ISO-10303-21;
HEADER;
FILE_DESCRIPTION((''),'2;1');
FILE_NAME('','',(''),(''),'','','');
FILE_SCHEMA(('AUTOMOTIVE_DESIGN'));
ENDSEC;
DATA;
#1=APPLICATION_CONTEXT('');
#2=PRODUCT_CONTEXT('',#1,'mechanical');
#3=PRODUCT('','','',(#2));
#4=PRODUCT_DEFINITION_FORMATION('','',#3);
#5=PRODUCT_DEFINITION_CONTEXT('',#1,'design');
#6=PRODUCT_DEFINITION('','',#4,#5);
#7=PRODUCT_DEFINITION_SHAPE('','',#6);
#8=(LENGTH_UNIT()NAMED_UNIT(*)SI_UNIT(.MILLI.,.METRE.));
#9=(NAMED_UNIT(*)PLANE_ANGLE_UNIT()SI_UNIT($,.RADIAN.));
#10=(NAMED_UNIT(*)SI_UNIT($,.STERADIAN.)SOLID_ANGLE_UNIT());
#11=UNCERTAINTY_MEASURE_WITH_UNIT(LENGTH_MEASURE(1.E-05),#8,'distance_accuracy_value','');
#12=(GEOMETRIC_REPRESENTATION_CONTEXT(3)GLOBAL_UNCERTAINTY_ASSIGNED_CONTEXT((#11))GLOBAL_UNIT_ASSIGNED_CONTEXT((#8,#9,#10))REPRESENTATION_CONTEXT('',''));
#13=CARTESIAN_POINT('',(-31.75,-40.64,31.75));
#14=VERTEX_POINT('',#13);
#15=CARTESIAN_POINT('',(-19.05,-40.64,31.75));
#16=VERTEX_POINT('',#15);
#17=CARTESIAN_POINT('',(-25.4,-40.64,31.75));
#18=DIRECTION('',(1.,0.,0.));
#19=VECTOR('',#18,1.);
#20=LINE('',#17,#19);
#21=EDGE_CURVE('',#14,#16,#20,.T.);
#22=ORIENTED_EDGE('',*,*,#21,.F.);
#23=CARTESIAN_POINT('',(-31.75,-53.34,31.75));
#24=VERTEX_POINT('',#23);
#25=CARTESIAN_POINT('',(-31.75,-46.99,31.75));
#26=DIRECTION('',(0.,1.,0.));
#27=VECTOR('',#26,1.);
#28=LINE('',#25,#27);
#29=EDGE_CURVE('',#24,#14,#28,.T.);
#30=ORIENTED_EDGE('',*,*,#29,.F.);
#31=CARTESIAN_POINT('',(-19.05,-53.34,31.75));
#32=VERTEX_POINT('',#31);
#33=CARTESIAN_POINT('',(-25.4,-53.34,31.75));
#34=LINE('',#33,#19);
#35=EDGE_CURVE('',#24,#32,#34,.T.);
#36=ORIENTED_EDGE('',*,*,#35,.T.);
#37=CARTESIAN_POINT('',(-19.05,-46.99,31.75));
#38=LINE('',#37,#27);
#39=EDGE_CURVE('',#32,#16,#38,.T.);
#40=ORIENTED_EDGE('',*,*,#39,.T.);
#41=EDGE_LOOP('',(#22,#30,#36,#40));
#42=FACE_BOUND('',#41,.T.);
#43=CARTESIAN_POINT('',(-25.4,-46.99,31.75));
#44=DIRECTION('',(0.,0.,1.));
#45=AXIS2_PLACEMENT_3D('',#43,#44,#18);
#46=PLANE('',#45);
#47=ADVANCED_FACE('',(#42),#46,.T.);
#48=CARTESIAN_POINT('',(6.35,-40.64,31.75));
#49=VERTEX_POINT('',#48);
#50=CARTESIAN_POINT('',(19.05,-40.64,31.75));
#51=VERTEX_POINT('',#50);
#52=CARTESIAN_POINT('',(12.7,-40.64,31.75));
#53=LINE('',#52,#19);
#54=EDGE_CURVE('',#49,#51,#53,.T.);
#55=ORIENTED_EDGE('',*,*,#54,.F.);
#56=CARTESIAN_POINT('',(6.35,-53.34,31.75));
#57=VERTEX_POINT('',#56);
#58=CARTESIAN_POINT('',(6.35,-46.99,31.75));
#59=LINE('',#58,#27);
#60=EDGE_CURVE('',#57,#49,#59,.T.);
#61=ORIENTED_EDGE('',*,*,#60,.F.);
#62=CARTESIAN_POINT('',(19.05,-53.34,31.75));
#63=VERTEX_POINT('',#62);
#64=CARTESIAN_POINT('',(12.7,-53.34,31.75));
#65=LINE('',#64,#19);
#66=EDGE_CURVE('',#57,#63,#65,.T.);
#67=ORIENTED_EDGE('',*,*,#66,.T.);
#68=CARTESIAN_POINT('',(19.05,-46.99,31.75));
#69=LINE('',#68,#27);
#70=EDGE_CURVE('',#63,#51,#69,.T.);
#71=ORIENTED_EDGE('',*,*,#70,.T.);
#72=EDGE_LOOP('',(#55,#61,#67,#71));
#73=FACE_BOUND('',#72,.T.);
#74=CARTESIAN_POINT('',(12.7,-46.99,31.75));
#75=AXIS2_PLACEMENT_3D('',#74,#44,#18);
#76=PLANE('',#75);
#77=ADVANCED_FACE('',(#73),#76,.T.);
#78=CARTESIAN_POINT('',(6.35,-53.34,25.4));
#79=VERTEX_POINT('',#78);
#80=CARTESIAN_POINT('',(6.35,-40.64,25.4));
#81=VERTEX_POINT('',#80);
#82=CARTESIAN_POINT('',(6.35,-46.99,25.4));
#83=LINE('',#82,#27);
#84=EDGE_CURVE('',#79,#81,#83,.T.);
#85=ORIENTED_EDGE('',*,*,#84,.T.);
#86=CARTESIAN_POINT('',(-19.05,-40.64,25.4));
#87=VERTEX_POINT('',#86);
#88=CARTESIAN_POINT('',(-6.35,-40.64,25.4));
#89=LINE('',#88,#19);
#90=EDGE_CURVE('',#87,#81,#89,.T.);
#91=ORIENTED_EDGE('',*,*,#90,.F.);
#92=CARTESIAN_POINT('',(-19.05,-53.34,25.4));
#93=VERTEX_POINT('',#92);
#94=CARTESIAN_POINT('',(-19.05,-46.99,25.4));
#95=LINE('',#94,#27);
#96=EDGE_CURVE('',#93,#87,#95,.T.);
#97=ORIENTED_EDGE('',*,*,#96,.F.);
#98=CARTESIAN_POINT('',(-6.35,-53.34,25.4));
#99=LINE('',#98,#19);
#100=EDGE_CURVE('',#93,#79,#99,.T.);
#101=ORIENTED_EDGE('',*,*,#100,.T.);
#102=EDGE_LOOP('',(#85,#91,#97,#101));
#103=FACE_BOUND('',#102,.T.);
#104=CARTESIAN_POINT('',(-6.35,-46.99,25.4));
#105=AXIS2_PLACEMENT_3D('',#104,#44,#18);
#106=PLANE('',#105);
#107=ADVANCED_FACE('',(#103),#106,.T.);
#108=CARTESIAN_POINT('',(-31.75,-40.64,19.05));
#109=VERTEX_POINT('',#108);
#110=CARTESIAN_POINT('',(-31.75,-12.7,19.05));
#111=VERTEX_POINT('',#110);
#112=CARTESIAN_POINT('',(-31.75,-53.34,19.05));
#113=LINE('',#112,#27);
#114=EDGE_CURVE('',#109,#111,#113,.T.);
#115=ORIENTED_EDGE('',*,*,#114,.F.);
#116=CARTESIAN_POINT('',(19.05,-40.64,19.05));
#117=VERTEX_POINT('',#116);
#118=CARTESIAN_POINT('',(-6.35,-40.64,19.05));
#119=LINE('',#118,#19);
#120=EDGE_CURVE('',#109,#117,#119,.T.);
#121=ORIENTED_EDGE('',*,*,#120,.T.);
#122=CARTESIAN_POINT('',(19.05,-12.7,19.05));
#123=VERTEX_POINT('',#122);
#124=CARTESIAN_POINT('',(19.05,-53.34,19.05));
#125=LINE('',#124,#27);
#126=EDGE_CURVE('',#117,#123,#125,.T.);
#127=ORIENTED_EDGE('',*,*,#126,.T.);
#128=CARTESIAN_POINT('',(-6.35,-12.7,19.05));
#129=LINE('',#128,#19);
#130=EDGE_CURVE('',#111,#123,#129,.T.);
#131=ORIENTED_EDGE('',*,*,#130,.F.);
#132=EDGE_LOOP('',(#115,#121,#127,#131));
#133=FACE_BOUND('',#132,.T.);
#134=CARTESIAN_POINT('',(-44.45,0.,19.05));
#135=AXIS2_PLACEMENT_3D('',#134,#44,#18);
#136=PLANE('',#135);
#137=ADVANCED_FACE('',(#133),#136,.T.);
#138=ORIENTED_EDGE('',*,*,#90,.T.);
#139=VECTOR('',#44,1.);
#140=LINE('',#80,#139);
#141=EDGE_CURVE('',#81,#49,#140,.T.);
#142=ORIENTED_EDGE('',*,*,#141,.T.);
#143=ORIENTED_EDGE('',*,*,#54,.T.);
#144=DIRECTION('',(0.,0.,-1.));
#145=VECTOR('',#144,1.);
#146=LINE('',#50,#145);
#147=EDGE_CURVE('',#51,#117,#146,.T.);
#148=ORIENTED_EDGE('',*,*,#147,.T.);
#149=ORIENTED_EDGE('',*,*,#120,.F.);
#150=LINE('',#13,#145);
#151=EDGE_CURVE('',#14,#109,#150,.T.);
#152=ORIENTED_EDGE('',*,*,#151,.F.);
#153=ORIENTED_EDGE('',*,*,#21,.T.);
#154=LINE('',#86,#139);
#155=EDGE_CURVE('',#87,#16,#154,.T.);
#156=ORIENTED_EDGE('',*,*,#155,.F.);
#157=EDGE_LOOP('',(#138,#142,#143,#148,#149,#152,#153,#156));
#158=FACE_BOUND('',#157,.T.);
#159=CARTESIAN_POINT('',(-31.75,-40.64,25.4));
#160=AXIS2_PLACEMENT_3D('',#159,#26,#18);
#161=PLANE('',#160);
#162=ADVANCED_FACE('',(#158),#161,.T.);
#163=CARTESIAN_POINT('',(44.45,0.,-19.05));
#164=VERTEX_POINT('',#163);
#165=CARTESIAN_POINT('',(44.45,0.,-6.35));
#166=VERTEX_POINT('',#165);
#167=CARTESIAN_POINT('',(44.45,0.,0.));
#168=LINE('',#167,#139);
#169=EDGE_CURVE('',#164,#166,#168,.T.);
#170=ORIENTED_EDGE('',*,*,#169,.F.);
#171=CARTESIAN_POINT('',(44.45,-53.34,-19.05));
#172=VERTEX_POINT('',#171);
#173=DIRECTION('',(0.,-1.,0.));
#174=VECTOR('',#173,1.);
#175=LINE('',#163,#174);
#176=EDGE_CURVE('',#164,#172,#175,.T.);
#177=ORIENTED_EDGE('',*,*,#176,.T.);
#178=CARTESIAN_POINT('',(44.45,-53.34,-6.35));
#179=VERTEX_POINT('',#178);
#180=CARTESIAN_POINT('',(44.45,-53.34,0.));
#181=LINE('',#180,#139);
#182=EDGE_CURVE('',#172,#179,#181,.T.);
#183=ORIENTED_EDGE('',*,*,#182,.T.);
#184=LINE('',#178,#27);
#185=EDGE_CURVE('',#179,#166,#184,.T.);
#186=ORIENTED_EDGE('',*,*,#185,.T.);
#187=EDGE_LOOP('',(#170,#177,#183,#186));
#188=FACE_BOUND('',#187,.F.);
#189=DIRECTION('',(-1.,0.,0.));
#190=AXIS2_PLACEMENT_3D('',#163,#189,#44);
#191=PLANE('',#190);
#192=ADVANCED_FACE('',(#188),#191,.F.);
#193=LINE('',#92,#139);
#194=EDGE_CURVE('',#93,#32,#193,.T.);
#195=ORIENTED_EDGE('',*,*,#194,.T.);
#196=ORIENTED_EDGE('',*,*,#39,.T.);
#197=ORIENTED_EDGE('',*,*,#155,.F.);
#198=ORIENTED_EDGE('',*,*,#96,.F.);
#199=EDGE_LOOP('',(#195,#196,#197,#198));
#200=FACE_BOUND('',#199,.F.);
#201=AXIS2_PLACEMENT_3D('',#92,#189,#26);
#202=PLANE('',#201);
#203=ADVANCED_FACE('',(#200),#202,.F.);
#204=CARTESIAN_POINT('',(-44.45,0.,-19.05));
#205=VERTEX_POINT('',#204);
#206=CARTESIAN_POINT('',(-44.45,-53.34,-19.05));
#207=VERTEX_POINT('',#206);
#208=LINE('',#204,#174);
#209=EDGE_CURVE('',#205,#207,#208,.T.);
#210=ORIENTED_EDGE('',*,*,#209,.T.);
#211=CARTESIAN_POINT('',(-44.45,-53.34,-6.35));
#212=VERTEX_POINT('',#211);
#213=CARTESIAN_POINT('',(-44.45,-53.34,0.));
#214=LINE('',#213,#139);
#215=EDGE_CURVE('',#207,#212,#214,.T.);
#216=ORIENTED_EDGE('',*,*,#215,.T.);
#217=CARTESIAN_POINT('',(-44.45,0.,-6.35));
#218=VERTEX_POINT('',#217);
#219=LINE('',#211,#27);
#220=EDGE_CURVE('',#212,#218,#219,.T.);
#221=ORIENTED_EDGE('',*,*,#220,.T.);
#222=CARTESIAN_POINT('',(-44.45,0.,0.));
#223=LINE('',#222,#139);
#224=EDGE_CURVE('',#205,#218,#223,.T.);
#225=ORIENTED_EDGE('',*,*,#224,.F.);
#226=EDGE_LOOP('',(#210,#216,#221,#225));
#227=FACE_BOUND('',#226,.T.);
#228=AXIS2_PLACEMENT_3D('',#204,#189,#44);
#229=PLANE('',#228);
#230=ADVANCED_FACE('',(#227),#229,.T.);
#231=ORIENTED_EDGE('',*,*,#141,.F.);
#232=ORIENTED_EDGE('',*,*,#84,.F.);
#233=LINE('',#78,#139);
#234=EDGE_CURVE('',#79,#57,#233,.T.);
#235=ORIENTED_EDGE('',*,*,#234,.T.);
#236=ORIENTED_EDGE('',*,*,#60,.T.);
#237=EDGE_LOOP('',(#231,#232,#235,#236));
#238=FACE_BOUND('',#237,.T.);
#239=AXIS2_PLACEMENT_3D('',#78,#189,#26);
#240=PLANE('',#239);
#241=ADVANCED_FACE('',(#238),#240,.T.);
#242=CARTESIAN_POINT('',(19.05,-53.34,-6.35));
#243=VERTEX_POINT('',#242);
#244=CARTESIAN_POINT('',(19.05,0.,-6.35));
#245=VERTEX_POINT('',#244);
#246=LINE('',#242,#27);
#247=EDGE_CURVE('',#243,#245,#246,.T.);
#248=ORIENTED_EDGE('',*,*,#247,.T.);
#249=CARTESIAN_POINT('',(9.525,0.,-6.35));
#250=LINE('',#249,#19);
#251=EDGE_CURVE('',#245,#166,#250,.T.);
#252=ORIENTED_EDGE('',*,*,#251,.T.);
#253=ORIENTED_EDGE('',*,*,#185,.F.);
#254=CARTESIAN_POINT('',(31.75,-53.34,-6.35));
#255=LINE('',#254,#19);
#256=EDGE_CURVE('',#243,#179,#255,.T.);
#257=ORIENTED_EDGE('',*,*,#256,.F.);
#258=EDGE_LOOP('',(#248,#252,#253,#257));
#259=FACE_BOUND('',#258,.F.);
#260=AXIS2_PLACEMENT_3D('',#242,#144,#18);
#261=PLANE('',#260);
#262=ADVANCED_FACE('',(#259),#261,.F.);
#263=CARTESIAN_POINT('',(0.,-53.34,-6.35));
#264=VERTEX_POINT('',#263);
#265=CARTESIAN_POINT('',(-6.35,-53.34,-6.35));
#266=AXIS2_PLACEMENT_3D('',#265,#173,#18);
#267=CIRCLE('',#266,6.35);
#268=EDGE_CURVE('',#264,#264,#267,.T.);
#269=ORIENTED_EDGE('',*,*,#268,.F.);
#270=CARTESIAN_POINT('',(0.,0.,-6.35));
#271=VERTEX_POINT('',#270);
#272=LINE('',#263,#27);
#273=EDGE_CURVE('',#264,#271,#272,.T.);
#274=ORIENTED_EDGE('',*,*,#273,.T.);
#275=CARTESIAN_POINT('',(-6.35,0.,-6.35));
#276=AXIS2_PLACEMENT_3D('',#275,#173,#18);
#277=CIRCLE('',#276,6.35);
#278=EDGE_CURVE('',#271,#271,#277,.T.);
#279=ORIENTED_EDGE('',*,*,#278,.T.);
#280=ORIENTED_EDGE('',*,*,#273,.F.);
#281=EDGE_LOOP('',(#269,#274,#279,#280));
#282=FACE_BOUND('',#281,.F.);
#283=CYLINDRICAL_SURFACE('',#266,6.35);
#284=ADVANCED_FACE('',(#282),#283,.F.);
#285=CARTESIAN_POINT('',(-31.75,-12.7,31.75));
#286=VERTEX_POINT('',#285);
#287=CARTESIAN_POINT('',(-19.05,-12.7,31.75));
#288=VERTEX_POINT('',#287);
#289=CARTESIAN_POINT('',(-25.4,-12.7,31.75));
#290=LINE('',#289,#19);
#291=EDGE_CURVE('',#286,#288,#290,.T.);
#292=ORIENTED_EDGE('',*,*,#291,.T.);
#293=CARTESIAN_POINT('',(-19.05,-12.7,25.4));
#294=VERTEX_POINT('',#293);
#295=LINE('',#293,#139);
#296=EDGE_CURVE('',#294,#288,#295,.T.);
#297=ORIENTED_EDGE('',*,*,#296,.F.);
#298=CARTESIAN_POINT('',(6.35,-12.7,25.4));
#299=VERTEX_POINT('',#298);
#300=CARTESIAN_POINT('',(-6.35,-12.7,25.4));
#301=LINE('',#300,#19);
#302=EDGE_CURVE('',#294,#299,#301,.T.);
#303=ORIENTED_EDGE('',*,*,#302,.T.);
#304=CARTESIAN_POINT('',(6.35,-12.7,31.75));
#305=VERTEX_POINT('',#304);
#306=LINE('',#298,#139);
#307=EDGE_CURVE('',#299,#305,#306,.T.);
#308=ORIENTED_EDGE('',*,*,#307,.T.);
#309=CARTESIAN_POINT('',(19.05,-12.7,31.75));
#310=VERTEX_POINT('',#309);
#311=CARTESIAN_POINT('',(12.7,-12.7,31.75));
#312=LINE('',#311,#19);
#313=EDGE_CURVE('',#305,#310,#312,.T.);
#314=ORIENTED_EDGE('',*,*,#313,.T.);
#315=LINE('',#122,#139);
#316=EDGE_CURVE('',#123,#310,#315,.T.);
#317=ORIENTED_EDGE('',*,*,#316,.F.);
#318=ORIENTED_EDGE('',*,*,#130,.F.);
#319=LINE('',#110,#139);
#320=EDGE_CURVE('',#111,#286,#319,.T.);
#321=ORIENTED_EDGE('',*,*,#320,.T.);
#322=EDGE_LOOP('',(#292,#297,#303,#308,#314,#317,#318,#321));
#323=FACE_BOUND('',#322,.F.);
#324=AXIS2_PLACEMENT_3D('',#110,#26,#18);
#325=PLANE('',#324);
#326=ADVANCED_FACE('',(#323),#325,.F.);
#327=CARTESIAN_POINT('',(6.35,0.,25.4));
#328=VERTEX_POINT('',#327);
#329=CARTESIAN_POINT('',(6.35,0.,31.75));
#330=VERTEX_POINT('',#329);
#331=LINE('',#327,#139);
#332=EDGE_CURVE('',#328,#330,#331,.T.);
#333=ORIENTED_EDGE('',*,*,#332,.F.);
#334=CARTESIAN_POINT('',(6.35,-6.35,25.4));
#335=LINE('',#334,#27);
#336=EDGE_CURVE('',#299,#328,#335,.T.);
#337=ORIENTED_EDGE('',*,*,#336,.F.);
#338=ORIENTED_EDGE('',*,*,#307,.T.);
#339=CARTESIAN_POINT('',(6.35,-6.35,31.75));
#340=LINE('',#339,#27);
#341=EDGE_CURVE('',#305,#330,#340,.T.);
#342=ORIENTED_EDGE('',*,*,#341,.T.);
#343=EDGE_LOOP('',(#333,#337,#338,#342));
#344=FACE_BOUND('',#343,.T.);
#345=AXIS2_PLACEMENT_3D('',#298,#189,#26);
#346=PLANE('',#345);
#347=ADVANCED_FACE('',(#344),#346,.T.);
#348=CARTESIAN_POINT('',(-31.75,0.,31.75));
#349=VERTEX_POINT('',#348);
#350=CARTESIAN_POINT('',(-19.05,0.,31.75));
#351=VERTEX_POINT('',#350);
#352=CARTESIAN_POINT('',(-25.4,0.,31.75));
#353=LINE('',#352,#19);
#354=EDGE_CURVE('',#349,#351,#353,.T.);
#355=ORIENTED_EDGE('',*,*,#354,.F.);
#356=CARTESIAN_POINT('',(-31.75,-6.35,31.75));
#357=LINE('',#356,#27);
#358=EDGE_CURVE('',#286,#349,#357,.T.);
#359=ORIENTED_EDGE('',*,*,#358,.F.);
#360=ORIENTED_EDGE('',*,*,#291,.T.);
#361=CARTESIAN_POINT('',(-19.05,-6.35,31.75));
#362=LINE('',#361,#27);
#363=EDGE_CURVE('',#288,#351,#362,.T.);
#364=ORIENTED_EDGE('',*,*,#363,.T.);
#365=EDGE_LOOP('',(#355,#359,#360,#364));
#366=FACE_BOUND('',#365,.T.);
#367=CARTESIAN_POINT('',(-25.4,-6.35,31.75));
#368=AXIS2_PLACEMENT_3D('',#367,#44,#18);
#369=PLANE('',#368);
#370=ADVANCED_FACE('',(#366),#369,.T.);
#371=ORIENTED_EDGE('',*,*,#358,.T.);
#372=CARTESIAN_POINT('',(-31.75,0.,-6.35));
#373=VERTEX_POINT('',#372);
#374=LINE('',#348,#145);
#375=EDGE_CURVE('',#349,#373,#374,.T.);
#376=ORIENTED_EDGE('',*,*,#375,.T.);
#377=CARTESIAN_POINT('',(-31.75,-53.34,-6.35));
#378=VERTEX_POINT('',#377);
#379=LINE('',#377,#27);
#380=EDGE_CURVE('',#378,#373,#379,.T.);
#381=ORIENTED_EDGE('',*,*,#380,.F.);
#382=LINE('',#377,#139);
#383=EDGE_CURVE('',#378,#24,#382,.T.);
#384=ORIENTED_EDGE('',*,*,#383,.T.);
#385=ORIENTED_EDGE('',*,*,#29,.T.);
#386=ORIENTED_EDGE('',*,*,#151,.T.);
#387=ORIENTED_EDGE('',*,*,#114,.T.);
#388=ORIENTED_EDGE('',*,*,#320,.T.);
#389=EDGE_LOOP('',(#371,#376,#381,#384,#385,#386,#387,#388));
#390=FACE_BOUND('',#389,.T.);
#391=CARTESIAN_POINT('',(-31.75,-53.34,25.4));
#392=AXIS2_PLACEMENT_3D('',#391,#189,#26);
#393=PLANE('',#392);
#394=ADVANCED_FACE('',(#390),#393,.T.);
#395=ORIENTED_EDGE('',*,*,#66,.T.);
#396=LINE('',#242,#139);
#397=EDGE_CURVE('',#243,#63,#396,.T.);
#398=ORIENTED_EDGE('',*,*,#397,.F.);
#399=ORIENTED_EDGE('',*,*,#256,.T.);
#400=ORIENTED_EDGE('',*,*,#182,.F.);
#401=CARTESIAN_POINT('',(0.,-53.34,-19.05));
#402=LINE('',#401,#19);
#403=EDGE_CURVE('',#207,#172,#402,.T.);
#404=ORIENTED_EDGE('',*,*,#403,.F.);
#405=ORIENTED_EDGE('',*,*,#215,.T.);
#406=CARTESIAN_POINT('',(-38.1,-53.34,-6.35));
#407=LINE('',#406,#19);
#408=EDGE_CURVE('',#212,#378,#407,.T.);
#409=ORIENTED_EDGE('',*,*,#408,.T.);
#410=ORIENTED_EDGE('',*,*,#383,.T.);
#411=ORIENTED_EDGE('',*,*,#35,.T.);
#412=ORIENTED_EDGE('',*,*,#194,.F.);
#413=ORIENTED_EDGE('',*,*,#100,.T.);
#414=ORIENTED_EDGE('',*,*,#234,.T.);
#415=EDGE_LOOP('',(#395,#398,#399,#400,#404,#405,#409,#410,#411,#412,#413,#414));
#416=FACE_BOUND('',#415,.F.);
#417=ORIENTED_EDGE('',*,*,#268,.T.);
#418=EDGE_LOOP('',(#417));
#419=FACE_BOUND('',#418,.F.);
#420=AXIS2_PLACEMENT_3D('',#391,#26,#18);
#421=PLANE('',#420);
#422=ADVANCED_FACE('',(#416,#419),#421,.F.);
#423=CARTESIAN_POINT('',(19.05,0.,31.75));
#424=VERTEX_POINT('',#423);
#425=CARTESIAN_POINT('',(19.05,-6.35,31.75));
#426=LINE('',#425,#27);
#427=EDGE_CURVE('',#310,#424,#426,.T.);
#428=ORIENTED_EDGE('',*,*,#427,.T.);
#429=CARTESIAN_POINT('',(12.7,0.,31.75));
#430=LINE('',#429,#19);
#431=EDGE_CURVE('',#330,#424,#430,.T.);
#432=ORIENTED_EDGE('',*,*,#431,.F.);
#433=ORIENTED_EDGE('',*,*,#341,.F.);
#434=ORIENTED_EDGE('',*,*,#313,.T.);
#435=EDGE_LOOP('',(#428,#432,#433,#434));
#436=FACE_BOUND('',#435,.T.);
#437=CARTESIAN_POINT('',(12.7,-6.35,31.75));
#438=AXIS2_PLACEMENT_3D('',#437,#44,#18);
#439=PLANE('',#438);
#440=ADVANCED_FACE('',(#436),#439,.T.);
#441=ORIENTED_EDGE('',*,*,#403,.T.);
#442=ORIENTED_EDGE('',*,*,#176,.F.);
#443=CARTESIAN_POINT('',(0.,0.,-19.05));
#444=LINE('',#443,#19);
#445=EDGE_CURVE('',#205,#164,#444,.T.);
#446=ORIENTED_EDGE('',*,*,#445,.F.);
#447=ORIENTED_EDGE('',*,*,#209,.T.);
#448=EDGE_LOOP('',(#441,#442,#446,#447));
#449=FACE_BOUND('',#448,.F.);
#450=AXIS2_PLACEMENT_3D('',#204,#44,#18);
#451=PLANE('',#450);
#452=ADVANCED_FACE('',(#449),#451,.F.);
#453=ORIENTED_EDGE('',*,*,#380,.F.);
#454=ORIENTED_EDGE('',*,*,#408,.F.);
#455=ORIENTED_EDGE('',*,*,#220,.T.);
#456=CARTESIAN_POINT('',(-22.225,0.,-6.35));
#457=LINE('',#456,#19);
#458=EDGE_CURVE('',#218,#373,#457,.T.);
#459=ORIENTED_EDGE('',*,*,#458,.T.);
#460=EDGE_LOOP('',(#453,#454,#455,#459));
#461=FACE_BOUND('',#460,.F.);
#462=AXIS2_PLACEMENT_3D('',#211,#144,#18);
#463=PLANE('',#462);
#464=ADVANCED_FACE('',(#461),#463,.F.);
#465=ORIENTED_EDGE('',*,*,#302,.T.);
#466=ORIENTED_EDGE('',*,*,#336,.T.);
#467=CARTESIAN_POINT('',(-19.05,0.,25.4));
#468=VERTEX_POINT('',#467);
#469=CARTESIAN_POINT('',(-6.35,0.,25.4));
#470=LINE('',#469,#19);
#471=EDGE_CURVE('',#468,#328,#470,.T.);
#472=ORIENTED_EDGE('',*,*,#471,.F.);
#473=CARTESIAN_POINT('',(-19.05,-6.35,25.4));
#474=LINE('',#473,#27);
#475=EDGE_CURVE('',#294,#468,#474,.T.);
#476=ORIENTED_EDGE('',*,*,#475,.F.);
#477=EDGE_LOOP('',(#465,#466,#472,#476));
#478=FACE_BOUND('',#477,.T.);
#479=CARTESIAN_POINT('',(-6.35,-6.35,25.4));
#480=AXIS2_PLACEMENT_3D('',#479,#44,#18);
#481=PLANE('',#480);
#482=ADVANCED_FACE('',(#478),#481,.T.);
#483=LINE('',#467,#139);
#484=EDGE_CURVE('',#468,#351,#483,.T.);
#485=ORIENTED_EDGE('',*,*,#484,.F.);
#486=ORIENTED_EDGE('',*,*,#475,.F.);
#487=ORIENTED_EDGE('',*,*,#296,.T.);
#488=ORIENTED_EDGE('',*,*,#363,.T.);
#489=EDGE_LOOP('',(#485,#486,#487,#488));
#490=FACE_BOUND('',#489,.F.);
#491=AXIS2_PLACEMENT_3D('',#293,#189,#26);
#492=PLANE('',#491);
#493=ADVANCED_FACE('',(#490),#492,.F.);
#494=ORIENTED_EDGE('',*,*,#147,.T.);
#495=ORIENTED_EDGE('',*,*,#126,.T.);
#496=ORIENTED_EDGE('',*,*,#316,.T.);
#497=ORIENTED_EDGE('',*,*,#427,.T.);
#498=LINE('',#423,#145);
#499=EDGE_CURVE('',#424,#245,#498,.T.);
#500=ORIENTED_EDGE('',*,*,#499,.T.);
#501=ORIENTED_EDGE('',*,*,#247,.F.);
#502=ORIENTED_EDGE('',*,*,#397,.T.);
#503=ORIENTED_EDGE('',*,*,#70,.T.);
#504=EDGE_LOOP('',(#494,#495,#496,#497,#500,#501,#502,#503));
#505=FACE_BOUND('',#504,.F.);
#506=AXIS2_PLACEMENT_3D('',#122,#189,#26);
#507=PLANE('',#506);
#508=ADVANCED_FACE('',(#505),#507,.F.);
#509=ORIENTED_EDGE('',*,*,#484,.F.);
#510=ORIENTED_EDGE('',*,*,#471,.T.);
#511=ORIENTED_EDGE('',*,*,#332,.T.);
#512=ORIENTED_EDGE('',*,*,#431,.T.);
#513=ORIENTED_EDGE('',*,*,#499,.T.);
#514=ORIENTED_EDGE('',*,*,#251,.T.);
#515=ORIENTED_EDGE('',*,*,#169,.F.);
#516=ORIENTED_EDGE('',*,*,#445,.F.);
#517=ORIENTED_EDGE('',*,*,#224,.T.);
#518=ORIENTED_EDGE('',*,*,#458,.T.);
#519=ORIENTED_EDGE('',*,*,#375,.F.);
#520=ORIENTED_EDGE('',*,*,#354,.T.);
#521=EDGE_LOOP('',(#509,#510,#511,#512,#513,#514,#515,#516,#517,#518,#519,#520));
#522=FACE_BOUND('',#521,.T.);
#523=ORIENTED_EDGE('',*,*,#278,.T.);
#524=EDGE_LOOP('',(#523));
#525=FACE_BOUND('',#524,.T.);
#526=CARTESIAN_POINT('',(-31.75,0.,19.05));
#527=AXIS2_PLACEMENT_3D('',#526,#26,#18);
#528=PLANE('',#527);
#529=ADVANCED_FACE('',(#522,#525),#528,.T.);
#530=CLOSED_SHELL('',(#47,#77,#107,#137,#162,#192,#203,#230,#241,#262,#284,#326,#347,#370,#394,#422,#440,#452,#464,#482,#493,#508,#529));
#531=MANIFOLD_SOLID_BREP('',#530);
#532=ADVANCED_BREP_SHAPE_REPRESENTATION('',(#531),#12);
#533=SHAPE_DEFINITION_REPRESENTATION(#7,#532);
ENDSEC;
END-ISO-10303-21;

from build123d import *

# Parameters (mm, degrees)
F0_W      = 88.9
F0_H      = 38.1
F1_DEPTH  = 53.34
F2_W      = 12.7
F2_H      = 25.4
F3_DEPTH  = 53.341
F4_W      = 25.4
F4_H      = 25.4
F5_DEPTH  = 53.341
F6_W      = 50.8
F6_H      = 12.7
F7_DEPTH  = 6.35
F9_W      = 12.7
F9_H      = 12.7
F8_W      = 12.7
F8_H      = 12.7
F10_DEPTH = 6.35
F11_R     = 6.35
F12_DEPTH = 53.341


with BuildPart() as f1:
    # F0 (on Front) → F1 (new body)
    with BuildSketch(Plane.XZ):
        Rectangle(F0_W, F0_H)
    extrude(amount=F1_DEPTH)

    # F2 (on face) → F3 (cut, through all)
    with BuildSketch(Plane.XZ.offset(53.34)):
        with Locations((-38.1, 6.35)):
            Rectangle(F2_W, F2_H)
    extrude(amount=-F3_DEPTH, mode=Mode.SUBTRACT)

    # F4 (on face) → F5 (cut, through all)
    with BuildSketch(Plane.XZ.offset(53.34)):
        with Locations((31.75, 6.35)):
            Rectangle(F4_W, F4_H)
    extrude(amount=-F5_DEPTH, mode=Mode.SUBTRACT)

    # F6 (on face) → F7 (join)
    with BuildSketch(Plane.XY.offset(19.05)):
        with Locations((-6.35, -6.35)):
            Rectangle(F6_W, F6_H)
        with Locations((-6.35, -46.99)):
            Rectangle(F6_W, F6_H)
    extrude(amount=F7_DEPTH)

    # F9 (on face) + F8 (on face) → F10 (join)
    with BuildSketch(Plane.XY.offset(25.4)):
        with Locations((-25.4, -46.99)):
            Rectangle(F9_W, F9_H)
        with Locations((12.7, -46.99)):
            Rectangle(F9_W, F9_H)
    with BuildSketch(Plane.XY.offset(25.4)):
        with Locations((-25.4, -6.35)):
            Rectangle(F8_W, F8_H)
        with Locations((12.7, -6.35)):
            Rectangle(F8_W, F8_H)
    extrude(amount=F10_DEPTH)

    # F11 (on face) → F12 (cut, through all)
    with BuildSketch(Plane.XZ.offset(53.34)):
        with Locations((-6.35, -6.35)):
            Circle(F11_R)
    extrude(amount=-F12_DEPTH, mode=Mode.SUBTRACT)


solid = f1.part
